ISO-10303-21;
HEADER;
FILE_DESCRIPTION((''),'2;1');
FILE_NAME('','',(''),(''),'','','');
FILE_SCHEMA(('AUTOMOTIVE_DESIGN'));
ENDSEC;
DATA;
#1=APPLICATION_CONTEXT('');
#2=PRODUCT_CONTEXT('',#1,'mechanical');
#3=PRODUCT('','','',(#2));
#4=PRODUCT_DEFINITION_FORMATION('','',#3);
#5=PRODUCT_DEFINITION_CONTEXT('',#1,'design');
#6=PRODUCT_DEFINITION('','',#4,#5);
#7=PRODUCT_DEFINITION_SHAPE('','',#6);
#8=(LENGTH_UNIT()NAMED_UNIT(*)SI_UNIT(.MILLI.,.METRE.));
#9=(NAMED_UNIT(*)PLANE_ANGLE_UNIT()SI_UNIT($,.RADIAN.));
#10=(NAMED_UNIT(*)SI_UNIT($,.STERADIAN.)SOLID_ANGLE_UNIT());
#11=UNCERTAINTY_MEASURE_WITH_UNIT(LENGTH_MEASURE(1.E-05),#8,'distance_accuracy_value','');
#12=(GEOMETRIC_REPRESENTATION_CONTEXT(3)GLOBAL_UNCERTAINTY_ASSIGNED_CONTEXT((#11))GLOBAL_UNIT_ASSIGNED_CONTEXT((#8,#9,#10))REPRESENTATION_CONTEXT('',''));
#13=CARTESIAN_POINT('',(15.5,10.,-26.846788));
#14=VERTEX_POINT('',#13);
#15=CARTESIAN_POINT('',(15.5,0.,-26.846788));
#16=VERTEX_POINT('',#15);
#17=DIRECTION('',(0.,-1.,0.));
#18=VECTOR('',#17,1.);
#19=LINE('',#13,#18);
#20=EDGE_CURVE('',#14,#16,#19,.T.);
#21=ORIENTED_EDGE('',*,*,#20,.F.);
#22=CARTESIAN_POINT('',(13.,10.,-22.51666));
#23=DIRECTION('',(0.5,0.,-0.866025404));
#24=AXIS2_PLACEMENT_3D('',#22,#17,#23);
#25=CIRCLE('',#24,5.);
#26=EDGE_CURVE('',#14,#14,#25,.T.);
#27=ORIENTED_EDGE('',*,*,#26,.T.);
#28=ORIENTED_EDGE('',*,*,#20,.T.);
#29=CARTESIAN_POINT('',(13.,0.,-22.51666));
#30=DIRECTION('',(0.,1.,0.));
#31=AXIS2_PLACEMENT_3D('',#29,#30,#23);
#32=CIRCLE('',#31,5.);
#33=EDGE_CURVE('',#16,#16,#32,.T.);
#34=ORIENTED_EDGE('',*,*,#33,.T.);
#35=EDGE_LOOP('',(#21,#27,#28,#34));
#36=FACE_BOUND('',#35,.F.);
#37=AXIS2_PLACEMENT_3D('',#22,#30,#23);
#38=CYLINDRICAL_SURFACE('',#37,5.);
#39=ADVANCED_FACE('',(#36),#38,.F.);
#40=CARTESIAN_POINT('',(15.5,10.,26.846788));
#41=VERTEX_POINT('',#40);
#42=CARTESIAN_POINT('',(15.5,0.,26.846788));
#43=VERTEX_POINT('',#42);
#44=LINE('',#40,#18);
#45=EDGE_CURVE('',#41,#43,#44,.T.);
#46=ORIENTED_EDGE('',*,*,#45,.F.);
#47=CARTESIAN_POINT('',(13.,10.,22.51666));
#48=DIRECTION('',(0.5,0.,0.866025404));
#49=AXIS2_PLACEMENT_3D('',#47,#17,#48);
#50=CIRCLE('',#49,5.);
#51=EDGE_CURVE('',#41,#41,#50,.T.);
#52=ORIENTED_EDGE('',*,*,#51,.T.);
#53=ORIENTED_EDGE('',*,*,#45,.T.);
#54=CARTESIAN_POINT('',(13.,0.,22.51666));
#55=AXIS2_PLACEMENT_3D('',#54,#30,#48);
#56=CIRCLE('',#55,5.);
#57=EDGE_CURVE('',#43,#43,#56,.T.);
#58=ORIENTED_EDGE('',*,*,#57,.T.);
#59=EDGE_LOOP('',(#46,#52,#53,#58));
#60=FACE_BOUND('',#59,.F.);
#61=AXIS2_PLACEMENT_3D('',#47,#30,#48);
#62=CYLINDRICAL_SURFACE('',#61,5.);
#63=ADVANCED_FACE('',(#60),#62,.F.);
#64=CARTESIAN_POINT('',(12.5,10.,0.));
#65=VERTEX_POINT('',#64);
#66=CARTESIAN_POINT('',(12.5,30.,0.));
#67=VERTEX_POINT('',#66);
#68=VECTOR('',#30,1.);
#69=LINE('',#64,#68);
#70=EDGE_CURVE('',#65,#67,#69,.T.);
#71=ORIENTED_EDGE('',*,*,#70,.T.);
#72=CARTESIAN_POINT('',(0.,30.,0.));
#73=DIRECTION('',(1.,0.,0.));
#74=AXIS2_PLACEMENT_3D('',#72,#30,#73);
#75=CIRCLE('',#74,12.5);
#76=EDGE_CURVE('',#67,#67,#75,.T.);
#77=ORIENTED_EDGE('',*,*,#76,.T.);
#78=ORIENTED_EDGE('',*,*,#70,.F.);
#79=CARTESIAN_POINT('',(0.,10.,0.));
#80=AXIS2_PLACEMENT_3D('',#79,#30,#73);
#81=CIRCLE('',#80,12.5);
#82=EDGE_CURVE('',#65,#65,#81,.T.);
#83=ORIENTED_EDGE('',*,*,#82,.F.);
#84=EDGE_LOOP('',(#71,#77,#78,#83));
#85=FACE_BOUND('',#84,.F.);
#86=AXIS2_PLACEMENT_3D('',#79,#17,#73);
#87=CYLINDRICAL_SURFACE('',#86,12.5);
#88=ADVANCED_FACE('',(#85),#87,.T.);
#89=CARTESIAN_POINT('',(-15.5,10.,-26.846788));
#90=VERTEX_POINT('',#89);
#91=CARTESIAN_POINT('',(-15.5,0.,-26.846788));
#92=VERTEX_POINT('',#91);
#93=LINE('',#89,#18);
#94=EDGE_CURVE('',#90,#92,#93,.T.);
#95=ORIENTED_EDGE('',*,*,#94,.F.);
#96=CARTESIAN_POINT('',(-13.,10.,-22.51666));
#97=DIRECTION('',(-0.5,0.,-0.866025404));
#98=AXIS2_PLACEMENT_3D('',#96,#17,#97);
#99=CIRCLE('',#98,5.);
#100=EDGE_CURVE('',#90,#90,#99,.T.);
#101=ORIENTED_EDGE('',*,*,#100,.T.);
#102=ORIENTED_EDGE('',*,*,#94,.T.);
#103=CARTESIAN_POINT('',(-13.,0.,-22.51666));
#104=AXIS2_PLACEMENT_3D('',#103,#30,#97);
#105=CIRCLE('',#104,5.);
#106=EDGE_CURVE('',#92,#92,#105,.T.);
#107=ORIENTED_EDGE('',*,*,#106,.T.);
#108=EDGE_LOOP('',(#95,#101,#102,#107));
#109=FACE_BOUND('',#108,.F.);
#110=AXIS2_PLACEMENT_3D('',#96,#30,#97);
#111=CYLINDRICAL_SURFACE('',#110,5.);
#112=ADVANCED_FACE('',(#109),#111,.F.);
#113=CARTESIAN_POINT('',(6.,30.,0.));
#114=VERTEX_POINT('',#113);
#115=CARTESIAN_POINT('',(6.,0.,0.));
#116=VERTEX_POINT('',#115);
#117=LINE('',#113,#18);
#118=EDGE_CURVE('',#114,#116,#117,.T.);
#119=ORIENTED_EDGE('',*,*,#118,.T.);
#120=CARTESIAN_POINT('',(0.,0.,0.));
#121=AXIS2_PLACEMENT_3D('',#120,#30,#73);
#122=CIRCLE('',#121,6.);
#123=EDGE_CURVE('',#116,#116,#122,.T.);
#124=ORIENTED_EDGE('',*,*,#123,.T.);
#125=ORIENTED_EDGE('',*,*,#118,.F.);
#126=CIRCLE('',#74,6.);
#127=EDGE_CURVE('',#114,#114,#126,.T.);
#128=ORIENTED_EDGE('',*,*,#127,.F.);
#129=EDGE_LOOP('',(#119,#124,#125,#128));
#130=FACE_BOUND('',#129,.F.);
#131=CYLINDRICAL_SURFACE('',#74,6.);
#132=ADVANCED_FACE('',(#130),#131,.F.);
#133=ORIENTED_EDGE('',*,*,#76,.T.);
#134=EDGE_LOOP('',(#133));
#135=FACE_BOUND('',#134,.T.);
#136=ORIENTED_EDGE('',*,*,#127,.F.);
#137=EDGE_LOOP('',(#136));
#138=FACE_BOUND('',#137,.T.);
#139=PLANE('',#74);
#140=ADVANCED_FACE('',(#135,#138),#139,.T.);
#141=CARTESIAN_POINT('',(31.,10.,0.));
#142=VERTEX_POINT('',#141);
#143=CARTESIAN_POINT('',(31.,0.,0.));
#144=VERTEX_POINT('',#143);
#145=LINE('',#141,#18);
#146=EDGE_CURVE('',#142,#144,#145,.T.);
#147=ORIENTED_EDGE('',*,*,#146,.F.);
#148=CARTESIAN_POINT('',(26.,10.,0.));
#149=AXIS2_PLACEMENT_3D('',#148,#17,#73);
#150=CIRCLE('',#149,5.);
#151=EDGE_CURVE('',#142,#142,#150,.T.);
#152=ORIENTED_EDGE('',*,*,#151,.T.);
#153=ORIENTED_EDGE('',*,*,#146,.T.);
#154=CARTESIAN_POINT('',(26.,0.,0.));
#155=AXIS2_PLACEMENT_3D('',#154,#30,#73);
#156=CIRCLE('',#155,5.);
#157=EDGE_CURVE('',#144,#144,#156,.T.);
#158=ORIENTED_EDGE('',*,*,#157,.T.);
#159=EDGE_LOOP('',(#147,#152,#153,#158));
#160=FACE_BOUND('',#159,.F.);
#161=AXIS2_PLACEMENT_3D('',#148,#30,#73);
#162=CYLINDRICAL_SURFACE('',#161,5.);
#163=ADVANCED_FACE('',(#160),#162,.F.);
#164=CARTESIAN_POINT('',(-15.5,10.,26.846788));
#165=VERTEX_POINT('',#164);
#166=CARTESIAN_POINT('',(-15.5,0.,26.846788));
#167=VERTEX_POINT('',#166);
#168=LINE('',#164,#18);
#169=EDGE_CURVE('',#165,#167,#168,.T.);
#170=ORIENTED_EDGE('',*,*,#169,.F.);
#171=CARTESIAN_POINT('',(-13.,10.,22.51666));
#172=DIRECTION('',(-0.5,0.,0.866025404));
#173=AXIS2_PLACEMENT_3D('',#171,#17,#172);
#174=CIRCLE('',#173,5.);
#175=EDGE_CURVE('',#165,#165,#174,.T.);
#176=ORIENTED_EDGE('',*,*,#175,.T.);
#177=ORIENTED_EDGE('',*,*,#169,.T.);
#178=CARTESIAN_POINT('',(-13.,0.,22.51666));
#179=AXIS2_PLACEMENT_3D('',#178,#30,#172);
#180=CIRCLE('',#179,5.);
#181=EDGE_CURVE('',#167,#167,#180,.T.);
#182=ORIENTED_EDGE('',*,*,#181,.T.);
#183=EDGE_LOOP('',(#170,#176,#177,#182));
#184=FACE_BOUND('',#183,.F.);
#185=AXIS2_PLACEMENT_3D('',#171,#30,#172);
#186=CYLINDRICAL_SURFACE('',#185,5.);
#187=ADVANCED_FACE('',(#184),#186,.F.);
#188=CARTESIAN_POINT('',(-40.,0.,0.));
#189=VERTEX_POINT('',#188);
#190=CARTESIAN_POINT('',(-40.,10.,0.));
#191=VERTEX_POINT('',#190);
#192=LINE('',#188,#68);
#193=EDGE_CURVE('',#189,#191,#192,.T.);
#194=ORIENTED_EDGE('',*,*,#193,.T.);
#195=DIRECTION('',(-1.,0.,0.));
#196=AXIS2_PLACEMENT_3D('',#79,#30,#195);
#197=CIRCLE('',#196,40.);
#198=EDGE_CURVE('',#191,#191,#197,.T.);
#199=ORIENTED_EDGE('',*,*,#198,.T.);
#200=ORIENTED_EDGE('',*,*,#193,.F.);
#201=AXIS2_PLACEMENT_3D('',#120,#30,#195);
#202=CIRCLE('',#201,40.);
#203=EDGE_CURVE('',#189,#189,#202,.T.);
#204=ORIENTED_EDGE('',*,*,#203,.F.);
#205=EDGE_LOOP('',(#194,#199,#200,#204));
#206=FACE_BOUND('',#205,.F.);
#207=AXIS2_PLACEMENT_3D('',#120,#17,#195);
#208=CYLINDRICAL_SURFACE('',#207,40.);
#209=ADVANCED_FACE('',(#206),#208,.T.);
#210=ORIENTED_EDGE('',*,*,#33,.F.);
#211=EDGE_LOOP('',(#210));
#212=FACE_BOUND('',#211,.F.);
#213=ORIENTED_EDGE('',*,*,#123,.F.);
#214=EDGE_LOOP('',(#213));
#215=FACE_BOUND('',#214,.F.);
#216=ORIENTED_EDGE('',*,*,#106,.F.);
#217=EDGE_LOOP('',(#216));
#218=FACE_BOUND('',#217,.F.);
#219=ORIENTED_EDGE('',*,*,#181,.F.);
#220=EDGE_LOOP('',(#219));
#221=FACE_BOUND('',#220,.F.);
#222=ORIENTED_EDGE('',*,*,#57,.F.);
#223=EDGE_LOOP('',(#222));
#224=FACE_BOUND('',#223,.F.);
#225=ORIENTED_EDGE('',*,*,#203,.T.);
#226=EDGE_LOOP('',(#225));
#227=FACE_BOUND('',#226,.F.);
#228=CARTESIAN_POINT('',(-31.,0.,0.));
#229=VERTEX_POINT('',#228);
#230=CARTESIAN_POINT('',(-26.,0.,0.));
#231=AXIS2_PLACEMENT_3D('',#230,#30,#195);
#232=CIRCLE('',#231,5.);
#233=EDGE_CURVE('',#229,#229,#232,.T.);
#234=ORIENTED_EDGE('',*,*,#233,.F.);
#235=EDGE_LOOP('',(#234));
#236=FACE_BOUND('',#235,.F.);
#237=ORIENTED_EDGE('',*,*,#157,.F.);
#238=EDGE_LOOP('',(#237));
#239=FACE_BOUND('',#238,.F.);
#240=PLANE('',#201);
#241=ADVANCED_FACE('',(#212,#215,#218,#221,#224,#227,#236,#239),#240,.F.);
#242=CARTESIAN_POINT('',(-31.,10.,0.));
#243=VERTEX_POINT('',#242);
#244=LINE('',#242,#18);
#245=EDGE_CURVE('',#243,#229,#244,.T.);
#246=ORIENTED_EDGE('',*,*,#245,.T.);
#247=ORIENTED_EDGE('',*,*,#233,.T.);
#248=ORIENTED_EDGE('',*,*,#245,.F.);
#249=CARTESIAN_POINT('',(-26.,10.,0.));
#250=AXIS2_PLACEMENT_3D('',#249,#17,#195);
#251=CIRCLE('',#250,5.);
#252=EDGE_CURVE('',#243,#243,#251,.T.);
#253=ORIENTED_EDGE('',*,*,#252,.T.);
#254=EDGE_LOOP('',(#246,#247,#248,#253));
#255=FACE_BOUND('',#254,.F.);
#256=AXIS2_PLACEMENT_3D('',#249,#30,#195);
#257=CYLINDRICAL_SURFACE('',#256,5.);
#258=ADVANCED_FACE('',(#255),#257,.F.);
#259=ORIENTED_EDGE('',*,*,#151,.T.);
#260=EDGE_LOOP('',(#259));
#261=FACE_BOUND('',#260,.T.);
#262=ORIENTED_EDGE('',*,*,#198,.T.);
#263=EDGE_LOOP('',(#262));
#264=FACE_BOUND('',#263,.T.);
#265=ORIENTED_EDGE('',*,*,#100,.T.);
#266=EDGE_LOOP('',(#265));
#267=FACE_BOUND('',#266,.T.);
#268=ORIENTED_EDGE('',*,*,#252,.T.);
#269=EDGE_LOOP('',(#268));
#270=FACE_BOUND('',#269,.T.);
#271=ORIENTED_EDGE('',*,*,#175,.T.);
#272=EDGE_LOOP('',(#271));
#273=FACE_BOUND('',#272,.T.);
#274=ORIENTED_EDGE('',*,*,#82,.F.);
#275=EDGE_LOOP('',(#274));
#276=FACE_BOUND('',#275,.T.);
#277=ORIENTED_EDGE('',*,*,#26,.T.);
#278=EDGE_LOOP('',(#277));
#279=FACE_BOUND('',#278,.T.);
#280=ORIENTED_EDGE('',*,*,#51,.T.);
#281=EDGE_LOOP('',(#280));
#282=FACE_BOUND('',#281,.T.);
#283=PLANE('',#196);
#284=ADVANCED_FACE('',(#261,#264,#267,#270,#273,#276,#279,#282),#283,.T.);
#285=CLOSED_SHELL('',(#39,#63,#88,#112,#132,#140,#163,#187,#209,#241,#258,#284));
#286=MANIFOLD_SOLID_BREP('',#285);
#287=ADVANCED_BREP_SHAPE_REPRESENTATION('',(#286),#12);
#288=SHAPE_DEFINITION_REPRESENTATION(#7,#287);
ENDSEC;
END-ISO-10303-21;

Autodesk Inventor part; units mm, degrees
ref_plane "YZ Plane" through (0, 0, 0) normal (1, 0, 0) x (0, 1, 0)
ref_plane "XZ Plane" through (0, 0, 0) normal (0, 1, 0) x (-1, 0, 0)
ref_plane "XY Plane" through (0, 0, 0) normal (0, 0, 1) x (1, 0, 0)
sketch "草圖1" plane through (0, 0, 0) normal (0, 1, 0) x (-1, 0, 0)
  circle A0 centre (0, 0) radius 40
  dimension "d0" = 80
extrude "擠出1" add sketch "草圖1" along normal blind 10
sketch "草圖2" plane through (0, 10, 0) normal (0, 1, 0) x (1, 0, 0)
  circle A0 centre (0, 0) radius 12.5
  dimension "d3" = 25
extrude "擠出2" add sketch "草圖2" along normal blind 20
sketch "草圖3" plane through (0, 30, 0) normal (0, 1, 0) x (1, 0, 0)
  circle A0 centre (0, 0) radius 6
  dimension "d6" = 12
extrude "擠出3" cut sketch "草圖3" against normal blind 60
sketch "草圖4" plane through (0, 10, 0) normal (0, 1, 0) x (1, 0, 0)
  circle A0 centre (0, 0) radius 6 projected
  circle A1 centre (0, 0) radius 26 construction
  circle A2 centre (26, 0) radius 5
  line L0 (0, 0) -> (48.0653, 0)
  dimension "d9" = 52
  dimension "d10" = 10
extrude "擠出4" cut sketch "草圖4" against normal blind 60 contours A2 L0 | L0 A2
pattern_circular "環形陣列1" count 6 over 360 about axis through (0, 30, 0) along (0, -1, 0) of "擠出4"
properties part number "練習三"
